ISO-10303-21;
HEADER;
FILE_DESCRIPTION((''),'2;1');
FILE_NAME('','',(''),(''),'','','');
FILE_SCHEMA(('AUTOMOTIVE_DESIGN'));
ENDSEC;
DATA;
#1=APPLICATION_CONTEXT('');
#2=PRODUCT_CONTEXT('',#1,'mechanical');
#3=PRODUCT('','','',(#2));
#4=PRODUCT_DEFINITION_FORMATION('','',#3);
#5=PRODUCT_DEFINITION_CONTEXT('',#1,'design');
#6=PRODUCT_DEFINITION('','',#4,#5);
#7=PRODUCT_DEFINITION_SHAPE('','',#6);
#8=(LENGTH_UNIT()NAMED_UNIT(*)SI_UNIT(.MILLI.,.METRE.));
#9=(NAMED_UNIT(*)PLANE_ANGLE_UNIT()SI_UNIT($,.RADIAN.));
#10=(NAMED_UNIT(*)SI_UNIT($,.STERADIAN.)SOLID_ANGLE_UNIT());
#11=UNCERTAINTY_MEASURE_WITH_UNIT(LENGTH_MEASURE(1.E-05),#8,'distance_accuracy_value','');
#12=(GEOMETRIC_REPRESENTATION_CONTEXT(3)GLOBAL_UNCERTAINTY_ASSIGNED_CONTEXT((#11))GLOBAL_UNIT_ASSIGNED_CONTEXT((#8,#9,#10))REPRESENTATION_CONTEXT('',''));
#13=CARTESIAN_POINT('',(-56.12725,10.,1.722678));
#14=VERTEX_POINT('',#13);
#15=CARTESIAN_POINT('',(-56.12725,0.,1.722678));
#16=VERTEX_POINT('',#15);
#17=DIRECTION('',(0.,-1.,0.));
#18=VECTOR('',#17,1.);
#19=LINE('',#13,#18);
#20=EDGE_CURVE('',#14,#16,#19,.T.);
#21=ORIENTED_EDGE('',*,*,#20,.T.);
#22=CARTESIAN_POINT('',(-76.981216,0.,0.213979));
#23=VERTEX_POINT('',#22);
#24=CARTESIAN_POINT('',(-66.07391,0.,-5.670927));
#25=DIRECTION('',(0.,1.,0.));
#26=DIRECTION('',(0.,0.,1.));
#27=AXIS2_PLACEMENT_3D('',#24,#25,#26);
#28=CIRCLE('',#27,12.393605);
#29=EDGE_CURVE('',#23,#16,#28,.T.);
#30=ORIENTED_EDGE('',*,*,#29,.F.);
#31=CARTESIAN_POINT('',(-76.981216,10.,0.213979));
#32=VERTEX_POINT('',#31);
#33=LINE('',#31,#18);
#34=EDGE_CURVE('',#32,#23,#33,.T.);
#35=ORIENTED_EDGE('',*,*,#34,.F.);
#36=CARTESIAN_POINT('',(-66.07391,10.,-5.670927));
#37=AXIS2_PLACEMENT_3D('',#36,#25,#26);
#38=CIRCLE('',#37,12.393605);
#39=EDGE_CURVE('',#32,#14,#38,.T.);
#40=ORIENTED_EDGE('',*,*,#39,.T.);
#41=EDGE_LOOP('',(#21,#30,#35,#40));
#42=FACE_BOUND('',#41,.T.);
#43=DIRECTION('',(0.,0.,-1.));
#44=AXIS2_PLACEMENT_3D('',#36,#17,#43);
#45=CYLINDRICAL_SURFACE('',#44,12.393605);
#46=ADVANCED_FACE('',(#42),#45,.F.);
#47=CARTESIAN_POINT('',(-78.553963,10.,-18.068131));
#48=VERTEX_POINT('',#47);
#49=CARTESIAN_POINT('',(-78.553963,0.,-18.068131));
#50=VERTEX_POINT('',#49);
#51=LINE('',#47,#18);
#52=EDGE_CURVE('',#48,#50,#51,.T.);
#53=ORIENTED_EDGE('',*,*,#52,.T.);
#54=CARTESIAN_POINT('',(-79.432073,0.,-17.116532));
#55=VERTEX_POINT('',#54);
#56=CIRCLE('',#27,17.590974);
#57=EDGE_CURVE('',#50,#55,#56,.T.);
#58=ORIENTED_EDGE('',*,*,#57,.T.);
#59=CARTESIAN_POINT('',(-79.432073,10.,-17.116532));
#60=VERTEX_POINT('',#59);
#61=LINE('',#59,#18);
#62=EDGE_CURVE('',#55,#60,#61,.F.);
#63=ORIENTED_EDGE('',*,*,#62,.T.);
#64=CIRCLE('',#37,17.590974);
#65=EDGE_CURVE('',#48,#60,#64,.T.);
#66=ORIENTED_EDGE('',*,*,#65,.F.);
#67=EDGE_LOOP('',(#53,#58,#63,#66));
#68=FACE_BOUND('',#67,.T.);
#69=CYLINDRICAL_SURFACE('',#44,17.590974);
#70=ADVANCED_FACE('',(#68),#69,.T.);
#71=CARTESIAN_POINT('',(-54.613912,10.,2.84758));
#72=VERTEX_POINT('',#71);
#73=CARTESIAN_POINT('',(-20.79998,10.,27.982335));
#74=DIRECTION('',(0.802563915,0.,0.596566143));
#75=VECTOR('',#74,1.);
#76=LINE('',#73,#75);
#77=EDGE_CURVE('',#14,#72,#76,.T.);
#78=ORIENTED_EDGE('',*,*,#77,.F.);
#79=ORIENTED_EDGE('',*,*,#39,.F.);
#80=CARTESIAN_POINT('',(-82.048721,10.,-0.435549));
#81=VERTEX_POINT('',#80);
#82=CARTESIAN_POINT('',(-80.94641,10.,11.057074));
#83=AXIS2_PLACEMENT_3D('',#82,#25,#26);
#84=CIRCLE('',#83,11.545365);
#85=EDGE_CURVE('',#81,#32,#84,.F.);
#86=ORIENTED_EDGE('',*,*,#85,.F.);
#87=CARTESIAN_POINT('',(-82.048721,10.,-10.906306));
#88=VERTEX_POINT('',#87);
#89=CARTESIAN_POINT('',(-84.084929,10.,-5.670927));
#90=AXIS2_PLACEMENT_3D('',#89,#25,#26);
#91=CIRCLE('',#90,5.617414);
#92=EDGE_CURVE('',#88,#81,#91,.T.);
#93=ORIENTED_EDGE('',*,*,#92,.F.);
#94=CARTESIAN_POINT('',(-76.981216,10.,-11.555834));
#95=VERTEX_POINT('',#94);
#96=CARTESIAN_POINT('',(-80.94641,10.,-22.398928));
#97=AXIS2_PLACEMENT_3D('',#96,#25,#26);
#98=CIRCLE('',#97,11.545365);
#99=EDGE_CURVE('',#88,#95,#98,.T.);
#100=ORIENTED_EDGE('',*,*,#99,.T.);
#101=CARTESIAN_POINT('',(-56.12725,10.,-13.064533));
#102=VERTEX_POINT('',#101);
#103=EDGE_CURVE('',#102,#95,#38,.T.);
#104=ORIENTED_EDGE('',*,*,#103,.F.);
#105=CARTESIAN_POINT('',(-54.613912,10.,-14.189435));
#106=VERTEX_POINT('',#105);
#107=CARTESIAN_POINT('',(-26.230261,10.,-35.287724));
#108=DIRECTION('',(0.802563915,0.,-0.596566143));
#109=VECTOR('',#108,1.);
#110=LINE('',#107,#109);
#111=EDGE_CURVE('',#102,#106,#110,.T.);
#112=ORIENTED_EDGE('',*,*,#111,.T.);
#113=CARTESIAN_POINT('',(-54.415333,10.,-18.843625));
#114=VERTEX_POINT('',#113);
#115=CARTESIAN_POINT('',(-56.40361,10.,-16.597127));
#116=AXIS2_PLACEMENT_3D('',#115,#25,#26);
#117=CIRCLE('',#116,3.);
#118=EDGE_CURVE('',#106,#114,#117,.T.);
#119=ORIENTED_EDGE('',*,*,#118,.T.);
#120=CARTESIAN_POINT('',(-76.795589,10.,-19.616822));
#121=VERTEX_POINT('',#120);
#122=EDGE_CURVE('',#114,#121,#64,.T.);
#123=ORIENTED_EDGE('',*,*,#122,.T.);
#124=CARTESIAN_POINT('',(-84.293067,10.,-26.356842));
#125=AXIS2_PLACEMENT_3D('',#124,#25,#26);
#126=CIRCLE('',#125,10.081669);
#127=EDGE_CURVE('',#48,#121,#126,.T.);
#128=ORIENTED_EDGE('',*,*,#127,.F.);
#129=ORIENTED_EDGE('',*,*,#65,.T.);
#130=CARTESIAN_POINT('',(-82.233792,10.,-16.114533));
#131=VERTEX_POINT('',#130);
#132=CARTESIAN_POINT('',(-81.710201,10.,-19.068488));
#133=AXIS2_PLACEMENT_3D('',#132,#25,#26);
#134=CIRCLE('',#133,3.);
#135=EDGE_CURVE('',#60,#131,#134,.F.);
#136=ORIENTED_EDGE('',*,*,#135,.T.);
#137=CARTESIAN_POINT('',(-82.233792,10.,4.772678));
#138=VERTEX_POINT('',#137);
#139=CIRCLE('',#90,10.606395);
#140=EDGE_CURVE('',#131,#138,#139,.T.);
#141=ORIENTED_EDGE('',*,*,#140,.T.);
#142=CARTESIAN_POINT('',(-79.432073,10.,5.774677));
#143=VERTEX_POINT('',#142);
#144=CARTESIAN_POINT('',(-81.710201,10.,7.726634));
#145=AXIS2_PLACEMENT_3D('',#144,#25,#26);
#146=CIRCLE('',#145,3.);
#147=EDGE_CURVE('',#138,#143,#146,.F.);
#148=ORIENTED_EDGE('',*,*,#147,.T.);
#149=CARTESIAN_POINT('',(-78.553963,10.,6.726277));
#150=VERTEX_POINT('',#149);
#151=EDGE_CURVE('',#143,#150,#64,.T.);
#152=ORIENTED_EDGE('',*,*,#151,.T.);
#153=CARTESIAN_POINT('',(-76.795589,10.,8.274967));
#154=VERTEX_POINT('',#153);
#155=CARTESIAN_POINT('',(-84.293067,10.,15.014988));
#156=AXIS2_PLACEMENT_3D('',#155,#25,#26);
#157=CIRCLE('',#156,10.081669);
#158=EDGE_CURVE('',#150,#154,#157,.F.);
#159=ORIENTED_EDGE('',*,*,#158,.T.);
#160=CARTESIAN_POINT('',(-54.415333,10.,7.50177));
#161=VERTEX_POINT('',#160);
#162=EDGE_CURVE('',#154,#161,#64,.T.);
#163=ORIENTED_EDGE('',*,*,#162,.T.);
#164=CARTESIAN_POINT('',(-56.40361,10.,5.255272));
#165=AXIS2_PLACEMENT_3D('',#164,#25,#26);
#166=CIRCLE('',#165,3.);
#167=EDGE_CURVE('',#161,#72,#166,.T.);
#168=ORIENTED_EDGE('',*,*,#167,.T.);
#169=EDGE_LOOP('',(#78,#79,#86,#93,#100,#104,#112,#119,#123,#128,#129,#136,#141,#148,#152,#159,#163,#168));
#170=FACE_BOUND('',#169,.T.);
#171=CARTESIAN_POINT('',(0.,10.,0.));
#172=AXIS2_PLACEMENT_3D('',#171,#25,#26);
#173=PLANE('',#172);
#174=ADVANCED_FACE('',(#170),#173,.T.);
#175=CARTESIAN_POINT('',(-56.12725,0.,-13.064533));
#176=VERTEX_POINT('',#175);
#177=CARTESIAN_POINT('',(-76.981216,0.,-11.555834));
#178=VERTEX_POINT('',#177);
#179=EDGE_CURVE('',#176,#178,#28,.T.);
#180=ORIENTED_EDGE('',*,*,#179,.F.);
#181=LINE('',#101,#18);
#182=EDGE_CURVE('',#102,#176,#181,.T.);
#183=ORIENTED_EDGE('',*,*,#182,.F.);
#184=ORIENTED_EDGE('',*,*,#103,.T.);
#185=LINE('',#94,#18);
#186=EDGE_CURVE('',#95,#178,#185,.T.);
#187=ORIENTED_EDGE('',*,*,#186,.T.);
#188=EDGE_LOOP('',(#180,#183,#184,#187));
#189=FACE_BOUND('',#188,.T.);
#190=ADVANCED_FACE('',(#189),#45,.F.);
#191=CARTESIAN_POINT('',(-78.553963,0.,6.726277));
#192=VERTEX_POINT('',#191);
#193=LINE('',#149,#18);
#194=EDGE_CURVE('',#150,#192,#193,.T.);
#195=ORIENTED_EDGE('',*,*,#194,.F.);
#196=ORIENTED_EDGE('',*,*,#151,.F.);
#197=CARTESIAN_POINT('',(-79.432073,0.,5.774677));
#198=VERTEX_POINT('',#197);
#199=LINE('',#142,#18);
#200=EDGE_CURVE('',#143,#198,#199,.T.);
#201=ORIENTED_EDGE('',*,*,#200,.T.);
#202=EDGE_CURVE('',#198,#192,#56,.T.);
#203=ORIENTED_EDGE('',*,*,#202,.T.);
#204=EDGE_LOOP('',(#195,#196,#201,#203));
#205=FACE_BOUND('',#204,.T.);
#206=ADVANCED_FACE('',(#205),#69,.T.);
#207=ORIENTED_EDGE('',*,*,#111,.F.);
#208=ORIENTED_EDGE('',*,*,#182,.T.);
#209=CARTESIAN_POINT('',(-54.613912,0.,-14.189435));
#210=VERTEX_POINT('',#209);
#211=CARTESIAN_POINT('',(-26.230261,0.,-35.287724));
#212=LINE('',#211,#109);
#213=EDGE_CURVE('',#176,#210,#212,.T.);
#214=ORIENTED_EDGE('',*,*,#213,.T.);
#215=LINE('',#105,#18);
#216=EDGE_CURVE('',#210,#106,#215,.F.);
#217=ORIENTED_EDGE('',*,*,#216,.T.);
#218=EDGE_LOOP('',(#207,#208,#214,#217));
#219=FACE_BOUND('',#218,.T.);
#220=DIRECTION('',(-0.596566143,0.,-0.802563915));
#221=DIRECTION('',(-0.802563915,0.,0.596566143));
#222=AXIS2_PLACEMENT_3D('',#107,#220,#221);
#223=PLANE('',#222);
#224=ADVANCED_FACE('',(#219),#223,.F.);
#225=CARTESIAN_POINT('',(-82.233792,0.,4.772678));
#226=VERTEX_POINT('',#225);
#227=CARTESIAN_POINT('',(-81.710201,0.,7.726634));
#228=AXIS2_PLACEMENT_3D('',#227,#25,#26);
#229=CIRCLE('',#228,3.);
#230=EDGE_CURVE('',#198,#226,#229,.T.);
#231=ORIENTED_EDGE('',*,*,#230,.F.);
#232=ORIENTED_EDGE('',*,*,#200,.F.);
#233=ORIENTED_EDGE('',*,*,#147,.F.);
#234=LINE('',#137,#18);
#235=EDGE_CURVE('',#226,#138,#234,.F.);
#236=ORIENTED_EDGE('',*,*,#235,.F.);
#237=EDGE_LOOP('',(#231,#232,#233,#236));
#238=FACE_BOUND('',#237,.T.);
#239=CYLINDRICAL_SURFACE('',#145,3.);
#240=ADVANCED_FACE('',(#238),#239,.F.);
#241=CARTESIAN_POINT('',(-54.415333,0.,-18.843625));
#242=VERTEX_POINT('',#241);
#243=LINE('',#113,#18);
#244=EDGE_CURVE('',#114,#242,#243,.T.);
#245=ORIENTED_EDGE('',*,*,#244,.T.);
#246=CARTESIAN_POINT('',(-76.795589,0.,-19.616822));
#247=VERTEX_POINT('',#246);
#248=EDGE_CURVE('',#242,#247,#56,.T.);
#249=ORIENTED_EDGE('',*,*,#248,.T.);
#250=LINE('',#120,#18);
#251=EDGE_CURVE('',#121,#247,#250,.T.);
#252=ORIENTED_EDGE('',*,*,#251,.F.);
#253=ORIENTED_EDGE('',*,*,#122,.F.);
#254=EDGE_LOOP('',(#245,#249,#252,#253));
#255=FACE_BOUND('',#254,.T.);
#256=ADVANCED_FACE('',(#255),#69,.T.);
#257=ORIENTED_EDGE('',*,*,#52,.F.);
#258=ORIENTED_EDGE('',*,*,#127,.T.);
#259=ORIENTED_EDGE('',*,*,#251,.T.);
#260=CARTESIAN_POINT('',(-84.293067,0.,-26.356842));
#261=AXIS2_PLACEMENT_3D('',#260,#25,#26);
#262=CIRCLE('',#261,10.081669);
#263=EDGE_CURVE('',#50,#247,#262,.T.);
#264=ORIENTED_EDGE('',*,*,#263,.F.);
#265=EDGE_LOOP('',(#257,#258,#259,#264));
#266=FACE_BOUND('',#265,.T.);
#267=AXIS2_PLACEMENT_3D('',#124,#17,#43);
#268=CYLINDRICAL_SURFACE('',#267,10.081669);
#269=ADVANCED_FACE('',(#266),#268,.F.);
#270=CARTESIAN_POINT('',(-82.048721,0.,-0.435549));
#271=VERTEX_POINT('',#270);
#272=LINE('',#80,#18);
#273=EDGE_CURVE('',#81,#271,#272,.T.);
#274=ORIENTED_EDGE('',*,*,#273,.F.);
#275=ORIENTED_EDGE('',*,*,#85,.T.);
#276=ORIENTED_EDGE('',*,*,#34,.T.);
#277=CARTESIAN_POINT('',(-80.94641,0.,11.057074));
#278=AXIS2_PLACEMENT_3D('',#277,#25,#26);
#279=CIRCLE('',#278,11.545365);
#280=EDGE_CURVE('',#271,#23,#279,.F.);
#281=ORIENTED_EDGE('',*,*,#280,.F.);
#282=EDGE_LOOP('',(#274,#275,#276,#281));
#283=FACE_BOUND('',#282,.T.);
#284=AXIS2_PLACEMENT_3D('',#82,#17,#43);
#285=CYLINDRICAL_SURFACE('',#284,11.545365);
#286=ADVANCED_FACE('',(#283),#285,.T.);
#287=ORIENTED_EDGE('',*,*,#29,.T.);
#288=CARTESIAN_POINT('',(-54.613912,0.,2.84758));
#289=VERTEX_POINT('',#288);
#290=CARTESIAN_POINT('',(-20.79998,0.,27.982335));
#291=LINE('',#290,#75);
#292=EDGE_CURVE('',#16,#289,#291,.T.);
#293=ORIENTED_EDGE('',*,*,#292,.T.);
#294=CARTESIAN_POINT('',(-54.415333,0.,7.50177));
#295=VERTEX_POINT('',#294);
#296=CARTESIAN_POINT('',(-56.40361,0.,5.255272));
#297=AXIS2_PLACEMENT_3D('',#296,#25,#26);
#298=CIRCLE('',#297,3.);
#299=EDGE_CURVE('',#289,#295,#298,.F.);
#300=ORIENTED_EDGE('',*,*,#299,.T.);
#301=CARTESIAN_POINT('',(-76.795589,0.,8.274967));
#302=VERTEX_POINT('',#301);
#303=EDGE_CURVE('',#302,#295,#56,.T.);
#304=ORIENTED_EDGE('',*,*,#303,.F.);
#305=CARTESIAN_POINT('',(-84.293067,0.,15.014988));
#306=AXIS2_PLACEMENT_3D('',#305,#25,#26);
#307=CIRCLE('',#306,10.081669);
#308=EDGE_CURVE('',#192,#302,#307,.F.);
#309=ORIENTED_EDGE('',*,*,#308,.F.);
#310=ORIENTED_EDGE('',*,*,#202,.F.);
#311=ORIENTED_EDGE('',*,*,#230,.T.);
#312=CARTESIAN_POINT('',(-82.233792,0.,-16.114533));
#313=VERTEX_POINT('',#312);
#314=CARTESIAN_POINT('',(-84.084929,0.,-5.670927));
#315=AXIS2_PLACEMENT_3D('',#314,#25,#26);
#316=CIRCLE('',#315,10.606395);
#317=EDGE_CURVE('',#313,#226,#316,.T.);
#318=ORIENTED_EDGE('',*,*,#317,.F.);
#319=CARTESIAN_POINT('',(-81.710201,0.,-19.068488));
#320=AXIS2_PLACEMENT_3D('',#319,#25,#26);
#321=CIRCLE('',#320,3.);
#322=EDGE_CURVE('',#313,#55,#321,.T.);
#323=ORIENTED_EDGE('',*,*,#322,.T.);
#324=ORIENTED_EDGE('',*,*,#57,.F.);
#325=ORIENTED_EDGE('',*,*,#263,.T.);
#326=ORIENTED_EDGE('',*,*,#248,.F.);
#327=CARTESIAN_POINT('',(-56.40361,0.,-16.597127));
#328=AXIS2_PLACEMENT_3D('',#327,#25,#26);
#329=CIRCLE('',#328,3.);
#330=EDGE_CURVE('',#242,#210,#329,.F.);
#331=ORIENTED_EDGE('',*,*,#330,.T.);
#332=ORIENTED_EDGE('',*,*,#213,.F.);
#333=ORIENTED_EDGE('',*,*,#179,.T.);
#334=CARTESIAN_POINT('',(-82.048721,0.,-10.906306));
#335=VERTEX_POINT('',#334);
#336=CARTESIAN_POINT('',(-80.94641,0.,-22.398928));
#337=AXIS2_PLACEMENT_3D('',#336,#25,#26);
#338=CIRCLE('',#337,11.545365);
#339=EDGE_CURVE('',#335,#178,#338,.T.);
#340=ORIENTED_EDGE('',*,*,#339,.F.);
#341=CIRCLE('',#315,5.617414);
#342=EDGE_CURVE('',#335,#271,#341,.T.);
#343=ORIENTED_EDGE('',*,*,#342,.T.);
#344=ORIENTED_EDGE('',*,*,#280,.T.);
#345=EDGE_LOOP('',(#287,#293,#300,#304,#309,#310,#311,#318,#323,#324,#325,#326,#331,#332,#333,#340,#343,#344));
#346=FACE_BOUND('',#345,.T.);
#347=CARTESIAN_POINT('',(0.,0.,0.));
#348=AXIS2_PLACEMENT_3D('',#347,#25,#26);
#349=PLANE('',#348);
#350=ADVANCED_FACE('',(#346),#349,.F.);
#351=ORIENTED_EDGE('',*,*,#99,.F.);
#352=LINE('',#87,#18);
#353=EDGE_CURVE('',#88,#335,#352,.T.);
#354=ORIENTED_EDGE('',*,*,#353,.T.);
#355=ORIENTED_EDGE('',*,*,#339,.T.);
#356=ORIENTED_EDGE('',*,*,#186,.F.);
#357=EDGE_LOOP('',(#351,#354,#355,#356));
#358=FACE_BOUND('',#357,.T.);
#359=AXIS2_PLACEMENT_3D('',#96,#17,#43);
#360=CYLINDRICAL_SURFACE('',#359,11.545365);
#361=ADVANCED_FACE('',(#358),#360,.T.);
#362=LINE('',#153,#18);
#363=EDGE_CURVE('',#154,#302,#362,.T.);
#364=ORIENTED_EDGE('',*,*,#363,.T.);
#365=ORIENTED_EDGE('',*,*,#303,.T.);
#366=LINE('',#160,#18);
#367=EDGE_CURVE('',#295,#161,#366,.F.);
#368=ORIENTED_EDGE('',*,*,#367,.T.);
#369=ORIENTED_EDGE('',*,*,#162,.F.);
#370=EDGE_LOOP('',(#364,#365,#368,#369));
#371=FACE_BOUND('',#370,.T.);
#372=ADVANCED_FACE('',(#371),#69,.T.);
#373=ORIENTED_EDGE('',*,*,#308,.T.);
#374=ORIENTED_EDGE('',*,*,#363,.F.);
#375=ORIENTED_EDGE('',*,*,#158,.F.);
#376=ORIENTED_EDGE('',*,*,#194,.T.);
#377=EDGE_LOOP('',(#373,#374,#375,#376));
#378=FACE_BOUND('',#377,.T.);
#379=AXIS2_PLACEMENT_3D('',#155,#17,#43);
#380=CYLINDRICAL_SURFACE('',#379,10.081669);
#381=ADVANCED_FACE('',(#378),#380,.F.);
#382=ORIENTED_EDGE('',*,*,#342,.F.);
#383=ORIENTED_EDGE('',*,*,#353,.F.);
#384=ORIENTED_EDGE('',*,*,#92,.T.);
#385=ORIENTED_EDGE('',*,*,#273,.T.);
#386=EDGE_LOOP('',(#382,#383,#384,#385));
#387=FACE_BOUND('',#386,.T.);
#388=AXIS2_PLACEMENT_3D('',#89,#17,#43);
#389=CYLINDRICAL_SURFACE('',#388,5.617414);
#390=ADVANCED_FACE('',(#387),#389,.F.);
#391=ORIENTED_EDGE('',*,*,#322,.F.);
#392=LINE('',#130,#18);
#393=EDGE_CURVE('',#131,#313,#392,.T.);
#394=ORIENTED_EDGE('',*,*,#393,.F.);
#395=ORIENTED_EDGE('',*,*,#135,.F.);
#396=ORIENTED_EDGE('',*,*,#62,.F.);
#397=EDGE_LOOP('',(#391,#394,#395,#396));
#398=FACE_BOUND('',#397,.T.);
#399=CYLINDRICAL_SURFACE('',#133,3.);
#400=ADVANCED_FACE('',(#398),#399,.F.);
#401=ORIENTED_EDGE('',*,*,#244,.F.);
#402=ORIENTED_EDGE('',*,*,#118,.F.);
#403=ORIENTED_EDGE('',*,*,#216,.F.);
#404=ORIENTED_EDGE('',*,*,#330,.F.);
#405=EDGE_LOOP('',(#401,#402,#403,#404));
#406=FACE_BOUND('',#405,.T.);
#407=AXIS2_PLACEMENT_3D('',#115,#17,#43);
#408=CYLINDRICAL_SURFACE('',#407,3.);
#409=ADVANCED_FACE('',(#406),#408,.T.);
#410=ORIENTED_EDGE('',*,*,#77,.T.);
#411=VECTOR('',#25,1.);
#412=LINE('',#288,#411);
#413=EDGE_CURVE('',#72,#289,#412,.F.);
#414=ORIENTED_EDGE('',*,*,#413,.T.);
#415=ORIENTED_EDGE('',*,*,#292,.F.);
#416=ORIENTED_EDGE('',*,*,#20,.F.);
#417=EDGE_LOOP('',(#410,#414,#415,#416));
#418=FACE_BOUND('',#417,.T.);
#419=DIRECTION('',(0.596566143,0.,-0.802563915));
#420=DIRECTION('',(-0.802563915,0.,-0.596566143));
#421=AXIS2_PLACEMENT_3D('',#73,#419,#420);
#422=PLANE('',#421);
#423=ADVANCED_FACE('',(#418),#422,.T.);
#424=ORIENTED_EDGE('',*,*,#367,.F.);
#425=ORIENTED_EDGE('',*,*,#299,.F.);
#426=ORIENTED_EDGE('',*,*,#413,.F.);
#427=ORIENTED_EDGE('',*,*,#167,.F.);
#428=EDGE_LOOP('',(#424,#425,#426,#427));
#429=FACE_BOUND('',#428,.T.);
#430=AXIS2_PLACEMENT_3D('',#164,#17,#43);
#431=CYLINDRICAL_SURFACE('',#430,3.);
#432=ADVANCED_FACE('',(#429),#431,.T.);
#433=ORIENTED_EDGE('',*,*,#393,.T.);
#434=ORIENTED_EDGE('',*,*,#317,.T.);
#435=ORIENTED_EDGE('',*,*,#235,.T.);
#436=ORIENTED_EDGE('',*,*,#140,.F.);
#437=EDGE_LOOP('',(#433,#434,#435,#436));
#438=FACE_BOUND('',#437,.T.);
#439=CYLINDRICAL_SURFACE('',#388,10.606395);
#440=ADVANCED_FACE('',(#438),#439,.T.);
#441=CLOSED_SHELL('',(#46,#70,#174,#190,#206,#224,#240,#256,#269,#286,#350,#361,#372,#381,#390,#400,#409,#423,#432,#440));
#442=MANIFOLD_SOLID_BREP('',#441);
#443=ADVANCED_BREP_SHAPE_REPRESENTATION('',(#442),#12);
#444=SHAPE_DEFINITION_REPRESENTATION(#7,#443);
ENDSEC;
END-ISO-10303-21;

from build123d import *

# Parameters (mm, degrees)
BOSS_EXTRUDE3_DEPTH = 10
FILLET3_R           = 3


with BuildPart() as part:
    # Sketch1 → Boss-Extrude3 (new body)
    with BuildSketch(Plane(origin=(0, 0, 0), x_dir=(1, 0, 0), z_dir=(0, 1, 0))):
        with BuildLine():
            Line((-56.127249733, 13.064532605), (-51.956028901, 16.165106996))
            ThreePointArc((-51.956028901, 16.165106996), (-63.652726326, 23.094481669), (-76.795589263, 19.616821846))
            ThreePointArc((-76.795589263, 19.616821846), (-77.629630472, 18.791218581), (-78.553962744, 18.068131215))
            ThreePointArc((-78.553962744, 18.068131215), (-79.603636657, 16.913208133), (-80.546816269, 15.669795544))
            ThreePointArc((-80.546816269, 15.669795544), (-94.691323687, 5.670927287), (-80.546816269, -4.32794097))
            ThreePointArc((-80.546816269, -4.32794097), (-79.603636657, -5.571353559), (-78.553962744, -6.726276641))
            ThreePointArc((-78.553962744, -6.726276641), (-77.629630472, -7.449364007), (-76.795589263, -8.274967272))
            ThreePointArc((-76.795589263, -8.274967272), (-63.652726326, -11.752627095), (-51.956028901, -4.823252422))
            Line((-51.956028901, -4.823252422), (-56.127249733, -1.722678031))
            ThreePointArc((-56.127249733, -1.722678031), (-66.96819929, -6.690371176), (-76.981216312, -0.213979234))
            ThreePointArc((-76.981216312, -0.213979234), (-79.478589631, 0.394605678), (-82.048720515, 0.435548601))
            ThreePointArc((-82.048720515, 0.435548601), (-89.702342556, 5.670927287), (-82.048720515, 10.906305973))
            ThreePointArc((-82.048720515, 10.906305973), (-79.478589631, 10.947248896), (-76.981216312, 11.555833808))
            ThreePointArc((-76.981216312, 11.555833808), (-66.96819929, 18.03222575), (-56.127249733, 13.064532605))
        make_face()
    extrude(amount=BOSS_EXTRUDE3_DEPTH)

    # Fillet3
    fillet3_edges = [part.edges().sort_by_distance(p)[0] for p in [
        (-51.956028901, 5, 4.823252422),
        (-80.546816269, 5, 4.32794097),
        (-80.546816269, 5, -15.669795544),
        (-51.956028901, 5, -16.165106996),
    ]]
    fillet(fillet3_edges, radius=FILLET3_R)


solid = part.part
